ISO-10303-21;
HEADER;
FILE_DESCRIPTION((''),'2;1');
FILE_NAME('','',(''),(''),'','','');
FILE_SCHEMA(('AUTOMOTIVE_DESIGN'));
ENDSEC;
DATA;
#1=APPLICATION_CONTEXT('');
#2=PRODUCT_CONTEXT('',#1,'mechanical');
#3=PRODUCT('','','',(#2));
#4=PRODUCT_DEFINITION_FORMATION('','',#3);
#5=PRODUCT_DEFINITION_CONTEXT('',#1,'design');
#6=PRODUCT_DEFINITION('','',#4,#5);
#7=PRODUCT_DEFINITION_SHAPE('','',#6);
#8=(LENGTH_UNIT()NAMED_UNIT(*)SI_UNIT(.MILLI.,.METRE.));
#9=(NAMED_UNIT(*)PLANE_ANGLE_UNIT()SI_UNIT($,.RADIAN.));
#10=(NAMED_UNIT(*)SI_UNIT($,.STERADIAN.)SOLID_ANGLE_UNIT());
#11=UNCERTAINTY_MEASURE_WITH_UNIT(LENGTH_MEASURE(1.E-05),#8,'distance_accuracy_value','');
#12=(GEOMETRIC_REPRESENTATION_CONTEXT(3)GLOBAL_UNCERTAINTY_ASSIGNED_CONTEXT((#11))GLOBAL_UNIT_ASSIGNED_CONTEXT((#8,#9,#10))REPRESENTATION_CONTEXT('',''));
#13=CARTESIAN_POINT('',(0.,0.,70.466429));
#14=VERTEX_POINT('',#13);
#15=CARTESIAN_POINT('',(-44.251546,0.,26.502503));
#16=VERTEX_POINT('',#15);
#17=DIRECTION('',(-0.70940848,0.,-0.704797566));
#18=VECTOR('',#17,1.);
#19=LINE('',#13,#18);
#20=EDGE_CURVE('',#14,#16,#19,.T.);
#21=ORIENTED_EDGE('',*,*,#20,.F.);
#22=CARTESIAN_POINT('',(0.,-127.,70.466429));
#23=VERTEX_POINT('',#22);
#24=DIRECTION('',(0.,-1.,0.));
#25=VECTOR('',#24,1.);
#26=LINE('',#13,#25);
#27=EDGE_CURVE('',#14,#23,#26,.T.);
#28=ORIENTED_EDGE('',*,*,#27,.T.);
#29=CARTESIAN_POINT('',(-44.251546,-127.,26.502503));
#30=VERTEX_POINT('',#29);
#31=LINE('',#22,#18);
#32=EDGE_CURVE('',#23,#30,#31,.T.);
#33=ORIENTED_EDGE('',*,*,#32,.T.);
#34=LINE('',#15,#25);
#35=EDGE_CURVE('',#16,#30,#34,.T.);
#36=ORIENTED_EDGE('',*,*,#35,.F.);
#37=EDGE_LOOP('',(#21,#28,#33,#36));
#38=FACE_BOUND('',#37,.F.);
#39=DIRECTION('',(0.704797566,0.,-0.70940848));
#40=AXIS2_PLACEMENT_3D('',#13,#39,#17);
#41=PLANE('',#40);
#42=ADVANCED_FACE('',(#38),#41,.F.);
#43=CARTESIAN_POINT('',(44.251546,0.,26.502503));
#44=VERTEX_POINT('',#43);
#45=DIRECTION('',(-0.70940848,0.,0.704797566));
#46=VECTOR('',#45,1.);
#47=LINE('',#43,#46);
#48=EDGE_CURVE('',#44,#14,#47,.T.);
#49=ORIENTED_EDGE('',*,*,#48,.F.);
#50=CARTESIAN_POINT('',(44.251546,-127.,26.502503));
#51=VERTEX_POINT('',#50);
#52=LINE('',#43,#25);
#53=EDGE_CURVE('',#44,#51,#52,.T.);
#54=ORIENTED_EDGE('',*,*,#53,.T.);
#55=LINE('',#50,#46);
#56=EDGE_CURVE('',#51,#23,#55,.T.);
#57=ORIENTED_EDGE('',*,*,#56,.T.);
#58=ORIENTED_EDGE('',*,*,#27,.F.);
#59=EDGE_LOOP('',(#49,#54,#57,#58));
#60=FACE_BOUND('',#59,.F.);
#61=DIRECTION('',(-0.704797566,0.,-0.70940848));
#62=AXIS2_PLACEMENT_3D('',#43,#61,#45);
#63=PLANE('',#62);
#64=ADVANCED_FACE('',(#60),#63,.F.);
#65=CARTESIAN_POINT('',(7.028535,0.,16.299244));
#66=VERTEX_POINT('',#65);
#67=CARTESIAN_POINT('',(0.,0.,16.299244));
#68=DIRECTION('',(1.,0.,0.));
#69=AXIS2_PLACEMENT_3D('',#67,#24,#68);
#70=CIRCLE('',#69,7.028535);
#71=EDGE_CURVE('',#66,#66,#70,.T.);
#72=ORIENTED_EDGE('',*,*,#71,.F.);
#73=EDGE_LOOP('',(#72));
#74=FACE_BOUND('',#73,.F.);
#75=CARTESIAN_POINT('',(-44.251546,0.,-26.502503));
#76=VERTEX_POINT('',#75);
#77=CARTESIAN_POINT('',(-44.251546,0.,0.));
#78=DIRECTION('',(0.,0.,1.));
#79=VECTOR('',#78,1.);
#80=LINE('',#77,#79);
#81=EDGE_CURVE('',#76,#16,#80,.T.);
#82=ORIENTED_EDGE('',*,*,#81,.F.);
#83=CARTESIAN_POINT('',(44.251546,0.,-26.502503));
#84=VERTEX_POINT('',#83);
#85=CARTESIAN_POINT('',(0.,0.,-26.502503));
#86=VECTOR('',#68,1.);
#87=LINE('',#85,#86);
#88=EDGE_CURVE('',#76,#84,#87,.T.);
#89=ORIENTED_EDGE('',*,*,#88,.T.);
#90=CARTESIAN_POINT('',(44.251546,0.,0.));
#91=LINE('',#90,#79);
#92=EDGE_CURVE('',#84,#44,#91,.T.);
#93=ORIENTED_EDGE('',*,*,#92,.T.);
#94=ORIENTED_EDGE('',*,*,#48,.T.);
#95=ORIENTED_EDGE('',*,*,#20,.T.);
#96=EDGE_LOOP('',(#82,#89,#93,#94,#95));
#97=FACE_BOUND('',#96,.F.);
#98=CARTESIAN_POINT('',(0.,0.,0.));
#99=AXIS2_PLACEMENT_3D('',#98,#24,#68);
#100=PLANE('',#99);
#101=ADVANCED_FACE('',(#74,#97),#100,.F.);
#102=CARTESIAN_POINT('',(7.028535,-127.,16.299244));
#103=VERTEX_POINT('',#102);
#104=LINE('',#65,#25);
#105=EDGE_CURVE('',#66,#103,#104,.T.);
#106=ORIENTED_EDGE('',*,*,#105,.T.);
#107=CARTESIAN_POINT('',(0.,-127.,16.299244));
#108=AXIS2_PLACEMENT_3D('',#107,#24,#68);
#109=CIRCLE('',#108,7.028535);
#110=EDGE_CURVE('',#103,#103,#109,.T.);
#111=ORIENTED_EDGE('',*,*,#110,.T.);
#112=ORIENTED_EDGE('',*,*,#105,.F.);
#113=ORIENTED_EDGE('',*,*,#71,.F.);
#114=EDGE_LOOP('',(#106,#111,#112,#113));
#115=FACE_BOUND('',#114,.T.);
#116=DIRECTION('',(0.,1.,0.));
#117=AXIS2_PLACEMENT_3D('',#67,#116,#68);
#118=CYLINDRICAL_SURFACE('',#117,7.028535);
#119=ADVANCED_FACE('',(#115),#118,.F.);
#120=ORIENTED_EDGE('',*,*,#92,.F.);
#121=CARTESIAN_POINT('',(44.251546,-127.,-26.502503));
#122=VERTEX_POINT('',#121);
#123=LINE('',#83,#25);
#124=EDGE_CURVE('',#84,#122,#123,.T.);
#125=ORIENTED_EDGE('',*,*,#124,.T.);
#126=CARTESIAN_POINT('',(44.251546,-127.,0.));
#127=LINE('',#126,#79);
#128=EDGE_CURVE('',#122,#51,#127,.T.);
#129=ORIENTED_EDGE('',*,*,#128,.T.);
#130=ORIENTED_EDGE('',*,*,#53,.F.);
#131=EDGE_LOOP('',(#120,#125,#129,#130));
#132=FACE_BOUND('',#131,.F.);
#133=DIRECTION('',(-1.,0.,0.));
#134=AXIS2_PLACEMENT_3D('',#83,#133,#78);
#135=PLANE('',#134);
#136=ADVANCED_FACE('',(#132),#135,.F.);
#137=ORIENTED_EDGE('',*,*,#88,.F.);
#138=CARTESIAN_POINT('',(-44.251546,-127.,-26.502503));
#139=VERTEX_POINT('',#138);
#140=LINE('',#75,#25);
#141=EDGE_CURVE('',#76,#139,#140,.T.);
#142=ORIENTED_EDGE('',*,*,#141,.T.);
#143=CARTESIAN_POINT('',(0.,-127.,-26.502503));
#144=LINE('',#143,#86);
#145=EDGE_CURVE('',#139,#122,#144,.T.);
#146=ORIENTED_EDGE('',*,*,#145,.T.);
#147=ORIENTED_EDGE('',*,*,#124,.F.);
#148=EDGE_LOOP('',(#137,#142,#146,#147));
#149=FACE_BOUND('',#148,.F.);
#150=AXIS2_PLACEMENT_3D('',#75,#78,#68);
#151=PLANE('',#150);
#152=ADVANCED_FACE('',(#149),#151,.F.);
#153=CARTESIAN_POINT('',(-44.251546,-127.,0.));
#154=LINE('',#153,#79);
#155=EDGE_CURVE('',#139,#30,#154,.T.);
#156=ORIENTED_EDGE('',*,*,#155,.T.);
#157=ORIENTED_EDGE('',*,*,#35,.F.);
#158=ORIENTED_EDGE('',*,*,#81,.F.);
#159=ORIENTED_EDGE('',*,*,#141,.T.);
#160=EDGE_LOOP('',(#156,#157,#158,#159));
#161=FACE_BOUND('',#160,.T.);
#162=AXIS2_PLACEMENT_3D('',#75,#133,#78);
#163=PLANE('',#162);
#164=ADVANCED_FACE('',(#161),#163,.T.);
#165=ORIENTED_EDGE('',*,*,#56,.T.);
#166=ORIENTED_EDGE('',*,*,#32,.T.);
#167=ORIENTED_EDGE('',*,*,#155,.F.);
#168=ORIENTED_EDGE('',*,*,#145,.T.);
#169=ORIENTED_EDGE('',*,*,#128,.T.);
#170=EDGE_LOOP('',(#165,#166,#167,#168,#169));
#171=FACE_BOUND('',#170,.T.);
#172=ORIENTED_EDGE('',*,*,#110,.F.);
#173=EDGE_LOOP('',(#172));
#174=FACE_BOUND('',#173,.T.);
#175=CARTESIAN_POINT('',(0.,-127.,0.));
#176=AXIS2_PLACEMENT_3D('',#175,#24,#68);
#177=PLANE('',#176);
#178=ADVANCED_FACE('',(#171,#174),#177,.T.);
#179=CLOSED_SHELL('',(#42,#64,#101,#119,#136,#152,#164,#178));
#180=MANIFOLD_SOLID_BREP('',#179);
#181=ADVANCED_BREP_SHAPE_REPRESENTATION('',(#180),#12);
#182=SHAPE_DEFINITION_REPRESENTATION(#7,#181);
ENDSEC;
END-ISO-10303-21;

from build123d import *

# Parameters (mm, degrees)
F0_W     = 88.503092
F0_H     = 53.005006
F0_R     = 7.028535
F1_DEPTH = 127


with BuildPart() as f1:
    # F0 (on Front) → F1 (new body)
    with BuildSketch(Plane.XZ):
        Rectangle(F0_W, F0_H)
        with Locations((0, 16.299244)):
            Circle(F0_R, mode=Mode.SUBTRACT)
        Polygon((-44.251546, 26.502503), (44.251546, 26.502503), (0, 70.466429), align=None)
    extrude(amount=F1_DEPTH)


solid = f1.part
